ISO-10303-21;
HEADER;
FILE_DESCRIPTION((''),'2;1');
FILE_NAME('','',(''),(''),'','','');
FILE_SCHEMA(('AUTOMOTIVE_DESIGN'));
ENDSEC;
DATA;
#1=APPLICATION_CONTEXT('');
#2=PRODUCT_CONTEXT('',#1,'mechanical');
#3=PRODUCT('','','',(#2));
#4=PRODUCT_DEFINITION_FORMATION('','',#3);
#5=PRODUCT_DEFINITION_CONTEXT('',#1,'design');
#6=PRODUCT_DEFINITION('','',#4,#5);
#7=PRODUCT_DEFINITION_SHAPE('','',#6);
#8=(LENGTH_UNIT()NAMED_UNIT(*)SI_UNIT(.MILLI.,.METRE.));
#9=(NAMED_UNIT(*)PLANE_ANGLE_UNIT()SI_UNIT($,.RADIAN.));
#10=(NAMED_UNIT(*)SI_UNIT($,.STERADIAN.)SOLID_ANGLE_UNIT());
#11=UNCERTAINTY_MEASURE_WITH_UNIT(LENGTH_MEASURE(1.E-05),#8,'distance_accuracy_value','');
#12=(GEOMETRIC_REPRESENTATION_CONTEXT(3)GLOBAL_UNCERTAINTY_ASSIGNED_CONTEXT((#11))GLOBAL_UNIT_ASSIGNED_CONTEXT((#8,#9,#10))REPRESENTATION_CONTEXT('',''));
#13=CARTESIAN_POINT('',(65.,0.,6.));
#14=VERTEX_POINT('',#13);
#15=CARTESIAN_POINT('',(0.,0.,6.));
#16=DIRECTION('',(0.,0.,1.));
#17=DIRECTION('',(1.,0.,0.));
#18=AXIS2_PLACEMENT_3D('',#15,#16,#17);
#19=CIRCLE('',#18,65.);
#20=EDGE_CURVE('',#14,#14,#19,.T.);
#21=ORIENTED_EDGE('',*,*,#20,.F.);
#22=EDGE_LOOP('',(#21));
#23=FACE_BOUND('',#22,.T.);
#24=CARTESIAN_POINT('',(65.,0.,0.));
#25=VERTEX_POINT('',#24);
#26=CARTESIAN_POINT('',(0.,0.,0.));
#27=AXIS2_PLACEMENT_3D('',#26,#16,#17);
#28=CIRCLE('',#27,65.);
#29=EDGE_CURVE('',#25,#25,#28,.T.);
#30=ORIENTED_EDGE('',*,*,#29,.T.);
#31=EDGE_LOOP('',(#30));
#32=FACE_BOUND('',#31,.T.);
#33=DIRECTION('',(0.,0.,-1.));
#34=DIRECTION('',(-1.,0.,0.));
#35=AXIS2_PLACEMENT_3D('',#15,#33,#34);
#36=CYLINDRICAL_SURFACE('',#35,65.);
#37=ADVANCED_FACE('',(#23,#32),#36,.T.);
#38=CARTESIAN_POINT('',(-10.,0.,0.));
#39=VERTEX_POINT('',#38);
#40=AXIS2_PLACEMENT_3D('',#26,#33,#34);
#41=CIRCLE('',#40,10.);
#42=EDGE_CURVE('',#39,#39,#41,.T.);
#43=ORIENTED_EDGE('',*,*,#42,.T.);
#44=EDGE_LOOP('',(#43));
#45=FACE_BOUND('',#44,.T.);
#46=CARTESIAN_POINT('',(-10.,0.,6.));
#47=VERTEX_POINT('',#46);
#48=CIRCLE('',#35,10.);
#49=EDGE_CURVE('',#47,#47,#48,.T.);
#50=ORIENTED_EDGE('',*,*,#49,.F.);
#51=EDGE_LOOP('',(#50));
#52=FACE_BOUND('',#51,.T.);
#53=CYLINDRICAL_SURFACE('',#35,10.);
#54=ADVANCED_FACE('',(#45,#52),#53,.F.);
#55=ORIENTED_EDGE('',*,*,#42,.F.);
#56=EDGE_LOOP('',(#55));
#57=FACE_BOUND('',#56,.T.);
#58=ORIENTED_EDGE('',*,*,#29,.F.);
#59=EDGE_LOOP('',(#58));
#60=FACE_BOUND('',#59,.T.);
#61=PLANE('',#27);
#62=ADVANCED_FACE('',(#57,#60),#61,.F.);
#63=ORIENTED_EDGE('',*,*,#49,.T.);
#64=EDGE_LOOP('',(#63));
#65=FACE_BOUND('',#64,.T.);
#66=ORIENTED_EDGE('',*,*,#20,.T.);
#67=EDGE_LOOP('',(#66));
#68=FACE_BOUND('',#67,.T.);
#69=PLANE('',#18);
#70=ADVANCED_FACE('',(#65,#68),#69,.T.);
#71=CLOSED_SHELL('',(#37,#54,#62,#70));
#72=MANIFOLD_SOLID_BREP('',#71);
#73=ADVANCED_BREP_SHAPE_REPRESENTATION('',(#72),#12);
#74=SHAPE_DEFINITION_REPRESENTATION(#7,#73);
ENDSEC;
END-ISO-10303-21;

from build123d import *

# Parameters (mm, degrees)
SKETCH1_R           = 65
BOSS_EXTRUDE1_DEPTH = 6
SKETCH4_R           = 10
CUT_EXTRUDE3_DEPTH  = 7


with BuildPart() as part:
    # Sketch1 → Boss-Extrude1 (new body)
    with BuildSketch(Plane.XY):
        Circle(SKETCH1_R)
    extrude(amount=BOSS_EXTRUDE1_DEPTH)

    # Sketch4 → Cut-Extrude3 (cut, through all)
    with BuildSketch(Plane(origin=(0, 0, 0), x_dir=(-1, 0, 0), z_dir=(0, 0, -1))):
        Circle(SKETCH4_R)
    extrude(amount=-CUT_EXTRUDE3_DEPTH, mode=Mode.SUBTRACT)


solid = part.part
